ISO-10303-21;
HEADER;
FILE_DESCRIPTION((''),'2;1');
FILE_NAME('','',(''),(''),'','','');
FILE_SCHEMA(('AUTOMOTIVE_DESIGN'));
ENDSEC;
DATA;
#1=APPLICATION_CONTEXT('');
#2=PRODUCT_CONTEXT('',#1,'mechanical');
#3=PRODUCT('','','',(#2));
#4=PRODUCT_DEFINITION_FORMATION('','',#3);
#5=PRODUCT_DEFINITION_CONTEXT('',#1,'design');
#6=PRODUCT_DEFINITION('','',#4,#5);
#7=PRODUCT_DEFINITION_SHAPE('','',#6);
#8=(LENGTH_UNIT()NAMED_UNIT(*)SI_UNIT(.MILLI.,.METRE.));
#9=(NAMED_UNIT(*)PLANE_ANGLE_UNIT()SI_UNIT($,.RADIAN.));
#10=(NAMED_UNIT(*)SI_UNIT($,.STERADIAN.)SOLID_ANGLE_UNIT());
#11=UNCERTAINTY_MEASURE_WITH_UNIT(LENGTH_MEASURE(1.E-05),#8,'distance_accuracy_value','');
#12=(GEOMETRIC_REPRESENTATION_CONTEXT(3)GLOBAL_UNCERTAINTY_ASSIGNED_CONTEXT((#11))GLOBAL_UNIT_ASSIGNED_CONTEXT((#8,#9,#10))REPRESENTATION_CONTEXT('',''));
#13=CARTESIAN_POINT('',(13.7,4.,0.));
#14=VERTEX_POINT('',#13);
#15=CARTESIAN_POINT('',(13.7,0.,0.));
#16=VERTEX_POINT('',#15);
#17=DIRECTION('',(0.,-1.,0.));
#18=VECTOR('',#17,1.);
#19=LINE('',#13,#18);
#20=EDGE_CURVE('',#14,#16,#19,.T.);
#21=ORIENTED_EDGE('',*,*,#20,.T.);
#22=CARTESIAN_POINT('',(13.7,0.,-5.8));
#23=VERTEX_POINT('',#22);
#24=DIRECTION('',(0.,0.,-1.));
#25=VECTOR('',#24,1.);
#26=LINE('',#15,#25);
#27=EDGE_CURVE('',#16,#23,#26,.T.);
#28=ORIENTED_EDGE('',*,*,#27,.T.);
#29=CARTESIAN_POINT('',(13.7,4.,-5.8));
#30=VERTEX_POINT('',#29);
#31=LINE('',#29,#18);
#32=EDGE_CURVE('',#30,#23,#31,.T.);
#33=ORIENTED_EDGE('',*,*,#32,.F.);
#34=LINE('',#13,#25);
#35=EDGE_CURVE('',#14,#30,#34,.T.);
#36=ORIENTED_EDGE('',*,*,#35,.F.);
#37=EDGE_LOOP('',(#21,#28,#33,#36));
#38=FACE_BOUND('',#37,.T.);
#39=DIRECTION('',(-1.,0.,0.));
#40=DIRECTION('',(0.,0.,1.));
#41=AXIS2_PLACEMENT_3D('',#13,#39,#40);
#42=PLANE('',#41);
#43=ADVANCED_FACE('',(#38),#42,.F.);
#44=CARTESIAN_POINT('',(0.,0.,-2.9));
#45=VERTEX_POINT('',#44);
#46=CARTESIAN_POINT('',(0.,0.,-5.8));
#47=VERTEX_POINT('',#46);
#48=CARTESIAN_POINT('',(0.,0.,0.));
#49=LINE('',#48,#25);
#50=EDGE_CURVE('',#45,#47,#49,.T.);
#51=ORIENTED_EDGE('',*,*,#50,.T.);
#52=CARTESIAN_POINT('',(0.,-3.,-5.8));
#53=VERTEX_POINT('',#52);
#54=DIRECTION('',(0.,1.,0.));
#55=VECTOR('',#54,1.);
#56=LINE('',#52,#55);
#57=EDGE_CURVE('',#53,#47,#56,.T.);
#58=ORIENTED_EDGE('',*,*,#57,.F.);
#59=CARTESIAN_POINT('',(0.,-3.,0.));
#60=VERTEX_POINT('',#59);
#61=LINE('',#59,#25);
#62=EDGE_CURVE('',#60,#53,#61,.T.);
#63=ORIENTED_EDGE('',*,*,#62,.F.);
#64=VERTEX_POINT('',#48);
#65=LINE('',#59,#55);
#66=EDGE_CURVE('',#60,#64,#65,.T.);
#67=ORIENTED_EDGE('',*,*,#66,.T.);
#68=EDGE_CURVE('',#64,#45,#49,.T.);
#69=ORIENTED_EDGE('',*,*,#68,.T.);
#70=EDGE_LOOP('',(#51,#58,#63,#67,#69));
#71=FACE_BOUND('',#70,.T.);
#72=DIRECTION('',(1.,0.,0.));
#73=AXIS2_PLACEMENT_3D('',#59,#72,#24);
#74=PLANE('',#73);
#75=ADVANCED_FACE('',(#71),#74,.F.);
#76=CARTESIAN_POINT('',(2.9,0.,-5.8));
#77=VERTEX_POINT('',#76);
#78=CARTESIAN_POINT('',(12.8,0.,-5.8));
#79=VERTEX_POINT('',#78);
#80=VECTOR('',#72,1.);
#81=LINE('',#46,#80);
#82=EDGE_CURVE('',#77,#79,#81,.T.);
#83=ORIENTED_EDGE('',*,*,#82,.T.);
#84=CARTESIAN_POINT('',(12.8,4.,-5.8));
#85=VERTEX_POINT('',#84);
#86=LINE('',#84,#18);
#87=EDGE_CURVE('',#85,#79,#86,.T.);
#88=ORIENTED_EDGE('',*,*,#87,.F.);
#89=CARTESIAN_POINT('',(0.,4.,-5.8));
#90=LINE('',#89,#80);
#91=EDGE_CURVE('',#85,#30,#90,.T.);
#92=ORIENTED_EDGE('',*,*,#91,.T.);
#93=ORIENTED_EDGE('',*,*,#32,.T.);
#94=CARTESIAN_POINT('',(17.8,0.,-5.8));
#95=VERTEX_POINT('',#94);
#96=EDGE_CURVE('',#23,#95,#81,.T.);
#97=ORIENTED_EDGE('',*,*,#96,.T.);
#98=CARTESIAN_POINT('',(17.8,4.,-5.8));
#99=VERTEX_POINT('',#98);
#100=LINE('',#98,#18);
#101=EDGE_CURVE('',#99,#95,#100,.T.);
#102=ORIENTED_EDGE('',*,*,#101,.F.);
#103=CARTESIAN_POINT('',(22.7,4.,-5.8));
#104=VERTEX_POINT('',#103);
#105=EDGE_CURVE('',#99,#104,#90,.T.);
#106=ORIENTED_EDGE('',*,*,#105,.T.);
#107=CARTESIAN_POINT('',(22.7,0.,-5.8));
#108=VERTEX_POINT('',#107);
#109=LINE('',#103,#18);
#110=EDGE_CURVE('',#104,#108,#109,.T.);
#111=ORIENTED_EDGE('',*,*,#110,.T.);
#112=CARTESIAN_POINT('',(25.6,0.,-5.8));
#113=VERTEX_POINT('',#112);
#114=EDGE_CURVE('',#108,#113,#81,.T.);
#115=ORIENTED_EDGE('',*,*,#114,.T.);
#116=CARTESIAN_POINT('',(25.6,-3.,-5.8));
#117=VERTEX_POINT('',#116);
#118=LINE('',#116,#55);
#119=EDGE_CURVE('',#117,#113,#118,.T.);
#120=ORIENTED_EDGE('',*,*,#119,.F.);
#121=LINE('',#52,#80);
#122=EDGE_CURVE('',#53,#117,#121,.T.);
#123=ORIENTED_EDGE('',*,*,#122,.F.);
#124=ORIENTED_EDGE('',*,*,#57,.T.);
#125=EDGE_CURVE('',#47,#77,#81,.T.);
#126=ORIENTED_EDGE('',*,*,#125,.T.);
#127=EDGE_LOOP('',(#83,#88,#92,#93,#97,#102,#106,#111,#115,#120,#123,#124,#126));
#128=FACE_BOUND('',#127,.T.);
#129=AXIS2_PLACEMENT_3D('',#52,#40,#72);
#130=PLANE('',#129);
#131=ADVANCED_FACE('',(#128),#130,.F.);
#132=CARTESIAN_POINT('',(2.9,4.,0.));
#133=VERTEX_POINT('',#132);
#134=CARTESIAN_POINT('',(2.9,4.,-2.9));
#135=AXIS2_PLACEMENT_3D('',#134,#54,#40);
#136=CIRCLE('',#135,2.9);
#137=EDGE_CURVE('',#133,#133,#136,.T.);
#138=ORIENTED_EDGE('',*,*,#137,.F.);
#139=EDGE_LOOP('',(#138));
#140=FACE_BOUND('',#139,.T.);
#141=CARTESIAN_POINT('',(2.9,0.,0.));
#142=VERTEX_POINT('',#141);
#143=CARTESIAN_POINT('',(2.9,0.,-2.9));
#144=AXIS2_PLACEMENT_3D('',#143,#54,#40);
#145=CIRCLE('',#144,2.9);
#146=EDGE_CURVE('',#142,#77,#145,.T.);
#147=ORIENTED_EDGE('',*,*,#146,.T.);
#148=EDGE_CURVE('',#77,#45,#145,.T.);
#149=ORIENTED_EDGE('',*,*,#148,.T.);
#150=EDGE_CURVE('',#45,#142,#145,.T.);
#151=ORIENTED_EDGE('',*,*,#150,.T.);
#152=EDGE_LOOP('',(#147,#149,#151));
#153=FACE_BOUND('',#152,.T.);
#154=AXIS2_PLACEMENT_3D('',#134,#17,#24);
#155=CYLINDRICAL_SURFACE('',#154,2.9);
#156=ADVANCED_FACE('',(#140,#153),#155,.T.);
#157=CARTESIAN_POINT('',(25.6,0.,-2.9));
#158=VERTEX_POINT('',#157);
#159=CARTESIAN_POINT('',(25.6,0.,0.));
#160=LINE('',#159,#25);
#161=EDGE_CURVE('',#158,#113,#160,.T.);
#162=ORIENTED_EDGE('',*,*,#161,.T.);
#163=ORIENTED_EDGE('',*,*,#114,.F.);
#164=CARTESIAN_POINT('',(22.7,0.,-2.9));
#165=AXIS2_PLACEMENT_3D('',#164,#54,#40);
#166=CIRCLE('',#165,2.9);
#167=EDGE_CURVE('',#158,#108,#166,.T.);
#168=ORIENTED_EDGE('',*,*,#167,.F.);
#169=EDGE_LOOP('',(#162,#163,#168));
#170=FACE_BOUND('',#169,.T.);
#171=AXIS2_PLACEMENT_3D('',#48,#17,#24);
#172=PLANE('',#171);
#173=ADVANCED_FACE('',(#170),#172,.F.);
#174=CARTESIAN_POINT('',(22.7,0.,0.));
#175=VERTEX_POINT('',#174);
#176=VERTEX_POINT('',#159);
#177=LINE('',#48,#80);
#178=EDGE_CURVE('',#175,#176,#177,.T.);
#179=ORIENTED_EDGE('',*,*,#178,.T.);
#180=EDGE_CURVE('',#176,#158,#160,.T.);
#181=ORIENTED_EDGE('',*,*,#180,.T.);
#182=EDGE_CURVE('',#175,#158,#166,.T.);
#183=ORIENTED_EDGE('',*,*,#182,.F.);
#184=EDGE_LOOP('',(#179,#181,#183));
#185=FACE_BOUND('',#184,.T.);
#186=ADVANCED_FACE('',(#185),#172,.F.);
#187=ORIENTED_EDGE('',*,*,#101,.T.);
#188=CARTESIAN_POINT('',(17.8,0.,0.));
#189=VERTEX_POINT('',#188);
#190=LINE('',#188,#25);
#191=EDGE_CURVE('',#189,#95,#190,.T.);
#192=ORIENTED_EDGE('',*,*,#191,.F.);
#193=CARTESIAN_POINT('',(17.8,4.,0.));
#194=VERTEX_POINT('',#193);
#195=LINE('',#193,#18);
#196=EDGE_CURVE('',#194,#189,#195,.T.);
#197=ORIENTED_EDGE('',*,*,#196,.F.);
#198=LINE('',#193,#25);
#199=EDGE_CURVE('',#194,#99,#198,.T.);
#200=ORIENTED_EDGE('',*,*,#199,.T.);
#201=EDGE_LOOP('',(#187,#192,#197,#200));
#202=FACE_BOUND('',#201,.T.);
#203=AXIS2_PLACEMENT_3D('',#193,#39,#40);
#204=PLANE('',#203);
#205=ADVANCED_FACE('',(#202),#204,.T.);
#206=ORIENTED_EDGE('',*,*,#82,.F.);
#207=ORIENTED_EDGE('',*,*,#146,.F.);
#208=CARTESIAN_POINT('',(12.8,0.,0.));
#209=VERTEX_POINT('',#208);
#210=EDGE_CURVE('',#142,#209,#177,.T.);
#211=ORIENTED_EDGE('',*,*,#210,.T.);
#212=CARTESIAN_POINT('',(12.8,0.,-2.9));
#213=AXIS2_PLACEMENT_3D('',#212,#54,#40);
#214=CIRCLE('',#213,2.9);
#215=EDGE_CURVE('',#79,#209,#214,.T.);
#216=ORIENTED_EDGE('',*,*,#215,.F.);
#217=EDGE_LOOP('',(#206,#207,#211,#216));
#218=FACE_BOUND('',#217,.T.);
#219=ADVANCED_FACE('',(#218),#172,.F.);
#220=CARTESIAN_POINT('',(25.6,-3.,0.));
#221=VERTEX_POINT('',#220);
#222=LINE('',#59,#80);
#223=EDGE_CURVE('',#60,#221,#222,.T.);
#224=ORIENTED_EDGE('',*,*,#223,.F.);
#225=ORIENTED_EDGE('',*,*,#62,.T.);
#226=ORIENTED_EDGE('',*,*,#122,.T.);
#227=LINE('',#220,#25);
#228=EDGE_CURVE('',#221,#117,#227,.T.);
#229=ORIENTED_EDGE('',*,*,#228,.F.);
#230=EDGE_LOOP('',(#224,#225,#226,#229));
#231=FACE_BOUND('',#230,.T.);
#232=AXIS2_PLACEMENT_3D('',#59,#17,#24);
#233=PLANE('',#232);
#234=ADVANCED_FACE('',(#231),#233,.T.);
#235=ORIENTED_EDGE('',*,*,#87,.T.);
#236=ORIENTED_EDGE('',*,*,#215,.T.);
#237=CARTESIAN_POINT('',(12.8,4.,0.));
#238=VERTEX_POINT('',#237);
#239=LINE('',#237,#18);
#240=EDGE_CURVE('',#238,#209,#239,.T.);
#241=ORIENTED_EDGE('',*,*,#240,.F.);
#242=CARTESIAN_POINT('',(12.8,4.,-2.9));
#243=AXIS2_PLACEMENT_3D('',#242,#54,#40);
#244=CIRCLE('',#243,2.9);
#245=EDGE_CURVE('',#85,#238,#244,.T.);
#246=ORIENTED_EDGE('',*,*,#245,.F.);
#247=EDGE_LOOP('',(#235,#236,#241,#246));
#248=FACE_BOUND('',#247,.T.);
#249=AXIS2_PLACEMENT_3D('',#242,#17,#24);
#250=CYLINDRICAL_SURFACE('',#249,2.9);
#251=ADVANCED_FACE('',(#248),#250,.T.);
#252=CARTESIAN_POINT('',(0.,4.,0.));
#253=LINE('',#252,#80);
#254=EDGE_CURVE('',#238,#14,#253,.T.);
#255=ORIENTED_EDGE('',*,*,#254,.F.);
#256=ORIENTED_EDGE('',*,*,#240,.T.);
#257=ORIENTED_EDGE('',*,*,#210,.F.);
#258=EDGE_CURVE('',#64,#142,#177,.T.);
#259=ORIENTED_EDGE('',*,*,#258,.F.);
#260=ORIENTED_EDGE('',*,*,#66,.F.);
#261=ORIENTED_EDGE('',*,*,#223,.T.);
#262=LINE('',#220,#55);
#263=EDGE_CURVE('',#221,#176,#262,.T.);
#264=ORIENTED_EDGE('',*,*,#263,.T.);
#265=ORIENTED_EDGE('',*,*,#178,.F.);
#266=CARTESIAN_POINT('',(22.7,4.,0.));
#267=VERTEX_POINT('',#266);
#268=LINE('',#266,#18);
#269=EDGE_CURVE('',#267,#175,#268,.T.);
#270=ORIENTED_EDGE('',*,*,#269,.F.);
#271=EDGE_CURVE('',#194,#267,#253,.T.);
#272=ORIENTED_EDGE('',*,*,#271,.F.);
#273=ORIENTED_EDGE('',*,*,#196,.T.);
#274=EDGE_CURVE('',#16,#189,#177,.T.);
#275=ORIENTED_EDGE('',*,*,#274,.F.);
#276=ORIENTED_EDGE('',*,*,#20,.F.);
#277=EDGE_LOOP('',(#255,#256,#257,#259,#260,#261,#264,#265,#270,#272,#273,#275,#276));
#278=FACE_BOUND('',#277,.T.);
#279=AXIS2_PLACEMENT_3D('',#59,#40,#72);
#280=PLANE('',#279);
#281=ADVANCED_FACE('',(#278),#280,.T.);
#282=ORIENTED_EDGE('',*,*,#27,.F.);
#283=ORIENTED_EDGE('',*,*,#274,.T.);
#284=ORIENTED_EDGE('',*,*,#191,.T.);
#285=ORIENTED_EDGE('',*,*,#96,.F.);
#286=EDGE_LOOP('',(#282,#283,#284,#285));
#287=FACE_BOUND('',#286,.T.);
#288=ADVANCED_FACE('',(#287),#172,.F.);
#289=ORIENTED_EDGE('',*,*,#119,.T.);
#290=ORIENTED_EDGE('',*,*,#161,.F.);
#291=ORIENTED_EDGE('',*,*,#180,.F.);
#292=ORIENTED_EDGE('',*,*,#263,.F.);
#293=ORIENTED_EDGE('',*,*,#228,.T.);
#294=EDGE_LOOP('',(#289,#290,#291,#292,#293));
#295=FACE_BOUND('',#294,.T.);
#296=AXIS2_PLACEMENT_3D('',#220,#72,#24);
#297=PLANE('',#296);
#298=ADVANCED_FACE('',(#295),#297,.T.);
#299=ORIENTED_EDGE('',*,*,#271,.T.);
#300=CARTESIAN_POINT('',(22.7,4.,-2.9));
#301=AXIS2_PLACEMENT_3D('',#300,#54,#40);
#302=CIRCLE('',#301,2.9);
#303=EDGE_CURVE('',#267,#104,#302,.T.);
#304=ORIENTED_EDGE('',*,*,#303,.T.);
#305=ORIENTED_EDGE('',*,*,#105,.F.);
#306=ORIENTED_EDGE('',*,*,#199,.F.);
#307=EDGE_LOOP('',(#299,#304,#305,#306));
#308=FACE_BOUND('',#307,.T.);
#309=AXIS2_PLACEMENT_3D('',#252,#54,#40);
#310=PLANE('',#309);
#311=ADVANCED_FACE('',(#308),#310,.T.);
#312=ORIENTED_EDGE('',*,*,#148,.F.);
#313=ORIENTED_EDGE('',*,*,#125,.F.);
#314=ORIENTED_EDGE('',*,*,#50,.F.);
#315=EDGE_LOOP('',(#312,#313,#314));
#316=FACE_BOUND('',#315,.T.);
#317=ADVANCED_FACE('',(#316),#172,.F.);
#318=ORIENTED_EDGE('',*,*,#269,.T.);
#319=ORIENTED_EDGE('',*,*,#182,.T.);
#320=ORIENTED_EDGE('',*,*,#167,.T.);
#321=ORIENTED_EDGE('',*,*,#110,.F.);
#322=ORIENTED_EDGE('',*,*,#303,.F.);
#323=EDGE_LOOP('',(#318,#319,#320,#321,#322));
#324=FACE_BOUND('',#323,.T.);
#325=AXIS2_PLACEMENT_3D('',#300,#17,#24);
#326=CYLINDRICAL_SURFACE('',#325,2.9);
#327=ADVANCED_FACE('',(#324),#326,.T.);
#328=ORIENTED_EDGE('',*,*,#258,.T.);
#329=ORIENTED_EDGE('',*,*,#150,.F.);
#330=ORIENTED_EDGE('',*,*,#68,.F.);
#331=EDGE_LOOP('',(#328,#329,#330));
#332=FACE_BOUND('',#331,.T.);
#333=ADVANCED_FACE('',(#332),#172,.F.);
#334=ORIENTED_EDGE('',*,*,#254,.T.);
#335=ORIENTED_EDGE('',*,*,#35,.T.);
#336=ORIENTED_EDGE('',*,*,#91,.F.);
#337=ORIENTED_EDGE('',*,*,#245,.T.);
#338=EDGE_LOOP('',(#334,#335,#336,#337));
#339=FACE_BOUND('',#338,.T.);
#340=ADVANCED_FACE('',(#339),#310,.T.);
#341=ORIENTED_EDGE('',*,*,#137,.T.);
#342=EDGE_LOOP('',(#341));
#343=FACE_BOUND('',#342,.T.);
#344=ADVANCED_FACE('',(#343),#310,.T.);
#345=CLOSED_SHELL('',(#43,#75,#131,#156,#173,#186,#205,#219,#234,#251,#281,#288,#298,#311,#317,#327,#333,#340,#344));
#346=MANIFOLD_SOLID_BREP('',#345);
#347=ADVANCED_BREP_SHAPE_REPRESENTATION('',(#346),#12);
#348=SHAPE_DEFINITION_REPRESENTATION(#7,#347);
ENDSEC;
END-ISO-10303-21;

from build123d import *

# Parameters (mm, degrees)
SKETCH1_W           = 25.6
SKETCH1_H           = 5.8
BOSS_EXTRUDE1_DEPTH = 3
SKETCH1_4_R         = 2.9
BOSS_EXTRUDE2_DEPTH = 4


with BuildPart() as part:
    # Sketch1 → Boss-Extrude1 (new body)
    with BuildSketch(Plane(origin=(0, 0, 0), x_dir=(1, 0, 0), z_dir=(0, 1, 0))):
        with Locations((12.8, 2.9)):
            Rectangle(SKETCH1_W, SKETCH1_H)
    extrude(amount=-BOSS_EXTRUDE1_DEPTH)

    # Sketch1<4> → Boss-Extrude2 (add)
    with BuildSketch(Plane(origin=(0, 0, 0), x_dir=(1, 0, 0), z_dir=(0, 1, 0))):
        with BuildLine():
            Line((13.7, 0), (13.7, 5.8))
            Line((13.7, 5.8), (12.8, 5.8))
            ThreePointArc((12.8, 5.8), (9.9, 2.9), (12.8, 0))
            Line((12.8, 0), (13.7, 0))
        make_face()
        with Locations((2.9, 2.9)):
            Circle(SKETCH1_4_R)
        with BuildLine():
            Line((17.8, 5.8), (17.8, 0))
            Line((17.8, 0), (22.7, 0))
            ThreePointArc((22.7, 0), (25.6, 2.9), (22.7, 5.8))
            Line((22.7, 5.8), (17.8, 5.8))
        make_face()
    extrude(amount=BOSS_EXTRUDE2_DEPTH)


solid = part.part
